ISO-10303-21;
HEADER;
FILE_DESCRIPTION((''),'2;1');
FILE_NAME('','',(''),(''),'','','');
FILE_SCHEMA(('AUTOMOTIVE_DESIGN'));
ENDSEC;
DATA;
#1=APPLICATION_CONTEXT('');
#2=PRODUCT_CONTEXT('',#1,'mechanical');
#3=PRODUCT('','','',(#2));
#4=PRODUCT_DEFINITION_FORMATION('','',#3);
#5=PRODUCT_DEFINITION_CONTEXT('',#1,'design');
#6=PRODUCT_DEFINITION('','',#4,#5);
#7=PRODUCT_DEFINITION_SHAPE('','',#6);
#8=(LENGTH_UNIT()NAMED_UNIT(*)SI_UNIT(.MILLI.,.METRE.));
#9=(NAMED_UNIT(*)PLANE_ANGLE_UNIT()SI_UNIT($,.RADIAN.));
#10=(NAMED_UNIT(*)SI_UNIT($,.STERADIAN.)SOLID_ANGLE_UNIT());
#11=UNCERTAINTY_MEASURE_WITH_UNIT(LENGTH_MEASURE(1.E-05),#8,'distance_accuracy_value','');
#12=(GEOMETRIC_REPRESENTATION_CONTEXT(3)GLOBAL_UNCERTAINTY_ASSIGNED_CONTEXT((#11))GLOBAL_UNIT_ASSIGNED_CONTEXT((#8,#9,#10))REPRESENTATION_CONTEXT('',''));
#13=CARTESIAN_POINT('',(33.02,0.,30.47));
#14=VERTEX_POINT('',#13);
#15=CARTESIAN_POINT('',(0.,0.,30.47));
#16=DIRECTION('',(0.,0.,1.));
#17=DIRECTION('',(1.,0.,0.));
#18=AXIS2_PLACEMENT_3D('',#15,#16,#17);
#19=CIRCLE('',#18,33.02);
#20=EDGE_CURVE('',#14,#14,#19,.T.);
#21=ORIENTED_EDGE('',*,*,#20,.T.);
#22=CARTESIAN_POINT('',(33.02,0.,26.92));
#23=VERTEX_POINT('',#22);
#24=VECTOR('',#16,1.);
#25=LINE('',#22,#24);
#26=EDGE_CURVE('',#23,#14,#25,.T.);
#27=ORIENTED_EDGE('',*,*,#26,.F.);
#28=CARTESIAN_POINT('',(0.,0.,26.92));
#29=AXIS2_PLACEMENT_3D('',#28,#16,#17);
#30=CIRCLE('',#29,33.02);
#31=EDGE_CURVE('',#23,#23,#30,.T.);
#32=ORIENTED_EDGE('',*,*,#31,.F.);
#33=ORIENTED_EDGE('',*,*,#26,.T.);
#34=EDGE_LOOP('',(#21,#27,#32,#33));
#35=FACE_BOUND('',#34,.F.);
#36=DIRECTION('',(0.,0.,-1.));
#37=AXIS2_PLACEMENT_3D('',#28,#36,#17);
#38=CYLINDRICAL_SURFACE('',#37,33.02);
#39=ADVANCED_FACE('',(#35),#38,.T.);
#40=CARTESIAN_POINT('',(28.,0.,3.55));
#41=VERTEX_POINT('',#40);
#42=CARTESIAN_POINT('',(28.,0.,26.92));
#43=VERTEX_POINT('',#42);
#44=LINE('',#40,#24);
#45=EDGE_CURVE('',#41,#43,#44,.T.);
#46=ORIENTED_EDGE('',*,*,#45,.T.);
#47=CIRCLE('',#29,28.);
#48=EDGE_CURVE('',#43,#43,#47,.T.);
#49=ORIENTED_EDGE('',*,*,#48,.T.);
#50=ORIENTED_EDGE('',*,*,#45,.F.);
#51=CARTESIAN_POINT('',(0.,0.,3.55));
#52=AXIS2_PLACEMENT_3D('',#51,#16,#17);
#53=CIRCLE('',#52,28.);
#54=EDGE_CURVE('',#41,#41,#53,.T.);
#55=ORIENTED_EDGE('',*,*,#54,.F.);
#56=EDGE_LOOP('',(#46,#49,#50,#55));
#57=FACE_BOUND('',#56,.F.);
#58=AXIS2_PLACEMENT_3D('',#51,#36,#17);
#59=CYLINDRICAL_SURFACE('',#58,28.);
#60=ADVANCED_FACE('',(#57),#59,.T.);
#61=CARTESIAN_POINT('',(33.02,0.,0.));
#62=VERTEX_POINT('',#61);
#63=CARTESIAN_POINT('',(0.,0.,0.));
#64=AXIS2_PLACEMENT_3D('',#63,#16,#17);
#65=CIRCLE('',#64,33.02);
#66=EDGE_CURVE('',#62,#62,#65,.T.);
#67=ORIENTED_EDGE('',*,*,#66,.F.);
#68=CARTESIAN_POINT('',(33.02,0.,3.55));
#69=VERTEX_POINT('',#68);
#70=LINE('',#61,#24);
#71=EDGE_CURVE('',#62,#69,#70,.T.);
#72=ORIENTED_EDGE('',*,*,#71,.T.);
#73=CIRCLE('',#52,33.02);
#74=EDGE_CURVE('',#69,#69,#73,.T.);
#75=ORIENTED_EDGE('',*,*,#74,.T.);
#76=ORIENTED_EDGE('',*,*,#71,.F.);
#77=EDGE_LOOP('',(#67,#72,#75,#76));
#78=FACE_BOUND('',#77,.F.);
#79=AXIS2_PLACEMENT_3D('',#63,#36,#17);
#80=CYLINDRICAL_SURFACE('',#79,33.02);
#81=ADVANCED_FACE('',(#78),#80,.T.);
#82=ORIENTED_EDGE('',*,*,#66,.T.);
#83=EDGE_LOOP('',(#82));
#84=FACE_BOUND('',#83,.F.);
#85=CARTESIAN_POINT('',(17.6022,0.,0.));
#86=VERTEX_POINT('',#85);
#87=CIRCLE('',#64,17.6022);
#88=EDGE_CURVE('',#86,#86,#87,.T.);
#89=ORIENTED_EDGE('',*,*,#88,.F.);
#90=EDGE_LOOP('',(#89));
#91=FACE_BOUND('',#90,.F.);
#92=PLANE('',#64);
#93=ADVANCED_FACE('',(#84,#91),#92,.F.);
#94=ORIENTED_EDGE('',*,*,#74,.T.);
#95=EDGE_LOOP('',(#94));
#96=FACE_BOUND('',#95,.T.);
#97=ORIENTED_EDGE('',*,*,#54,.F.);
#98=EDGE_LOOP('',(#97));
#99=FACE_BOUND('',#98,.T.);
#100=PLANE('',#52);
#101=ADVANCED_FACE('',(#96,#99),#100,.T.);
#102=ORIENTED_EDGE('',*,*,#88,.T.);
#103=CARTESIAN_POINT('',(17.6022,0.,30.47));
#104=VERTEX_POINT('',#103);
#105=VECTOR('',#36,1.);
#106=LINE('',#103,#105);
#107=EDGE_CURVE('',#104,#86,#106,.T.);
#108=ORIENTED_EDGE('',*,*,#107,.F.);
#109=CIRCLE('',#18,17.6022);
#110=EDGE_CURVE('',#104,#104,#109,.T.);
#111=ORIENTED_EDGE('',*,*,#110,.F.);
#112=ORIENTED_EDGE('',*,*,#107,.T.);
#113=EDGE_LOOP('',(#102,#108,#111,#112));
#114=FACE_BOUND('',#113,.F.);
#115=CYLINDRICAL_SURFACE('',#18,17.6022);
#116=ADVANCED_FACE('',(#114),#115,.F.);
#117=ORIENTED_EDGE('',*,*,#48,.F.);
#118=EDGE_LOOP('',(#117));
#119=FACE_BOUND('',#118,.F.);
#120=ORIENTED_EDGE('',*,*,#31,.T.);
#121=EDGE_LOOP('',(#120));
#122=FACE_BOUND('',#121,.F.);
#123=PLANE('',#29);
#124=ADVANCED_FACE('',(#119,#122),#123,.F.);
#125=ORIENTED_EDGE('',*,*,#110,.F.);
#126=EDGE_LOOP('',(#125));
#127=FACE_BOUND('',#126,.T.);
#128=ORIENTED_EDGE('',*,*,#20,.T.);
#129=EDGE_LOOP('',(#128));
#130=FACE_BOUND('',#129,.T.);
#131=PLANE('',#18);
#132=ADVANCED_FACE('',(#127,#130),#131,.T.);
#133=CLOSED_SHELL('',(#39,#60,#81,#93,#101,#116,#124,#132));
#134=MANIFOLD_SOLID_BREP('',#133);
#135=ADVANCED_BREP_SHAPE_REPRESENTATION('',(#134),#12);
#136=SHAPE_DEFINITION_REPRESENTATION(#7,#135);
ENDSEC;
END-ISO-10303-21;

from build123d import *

# Parameters (mm, degrees)
F0_R     = 33.02
F1_DEPTH = 3.55
F2_R     = 28
F3_DEPTH = 23.37
F4_R     = 33.02
F5_DEPTH = 3.55
F6_R     = 17.6022
F7_DEPTH = 30.471


with BuildPart() as f1:
    # F0 (on Top) → F1 (new body)
    with BuildSketch(Plane.XY):
        Circle(F0_R)
    extrude(amount=F1_DEPTH)

    # F2 (on face) → F3 (join)
    with BuildSketch(Plane.XY.offset(3.55)):
        Circle(F2_R)
    extrude(amount=F3_DEPTH)

    # F4 (on face) → F5 (join)
    with BuildSketch(Plane.XY.offset(26.92)):
        Circle(F4_R)
    extrude(amount=F5_DEPTH)

    # F6 (on face) → F7 (cut, through all)
    with BuildSketch(Plane.XY.offset(30.47)):
        Circle(F6_R)
    extrude(amount=-F7_DEPTH, mode=Mode.SUBTRACT)


solid = f1.part
